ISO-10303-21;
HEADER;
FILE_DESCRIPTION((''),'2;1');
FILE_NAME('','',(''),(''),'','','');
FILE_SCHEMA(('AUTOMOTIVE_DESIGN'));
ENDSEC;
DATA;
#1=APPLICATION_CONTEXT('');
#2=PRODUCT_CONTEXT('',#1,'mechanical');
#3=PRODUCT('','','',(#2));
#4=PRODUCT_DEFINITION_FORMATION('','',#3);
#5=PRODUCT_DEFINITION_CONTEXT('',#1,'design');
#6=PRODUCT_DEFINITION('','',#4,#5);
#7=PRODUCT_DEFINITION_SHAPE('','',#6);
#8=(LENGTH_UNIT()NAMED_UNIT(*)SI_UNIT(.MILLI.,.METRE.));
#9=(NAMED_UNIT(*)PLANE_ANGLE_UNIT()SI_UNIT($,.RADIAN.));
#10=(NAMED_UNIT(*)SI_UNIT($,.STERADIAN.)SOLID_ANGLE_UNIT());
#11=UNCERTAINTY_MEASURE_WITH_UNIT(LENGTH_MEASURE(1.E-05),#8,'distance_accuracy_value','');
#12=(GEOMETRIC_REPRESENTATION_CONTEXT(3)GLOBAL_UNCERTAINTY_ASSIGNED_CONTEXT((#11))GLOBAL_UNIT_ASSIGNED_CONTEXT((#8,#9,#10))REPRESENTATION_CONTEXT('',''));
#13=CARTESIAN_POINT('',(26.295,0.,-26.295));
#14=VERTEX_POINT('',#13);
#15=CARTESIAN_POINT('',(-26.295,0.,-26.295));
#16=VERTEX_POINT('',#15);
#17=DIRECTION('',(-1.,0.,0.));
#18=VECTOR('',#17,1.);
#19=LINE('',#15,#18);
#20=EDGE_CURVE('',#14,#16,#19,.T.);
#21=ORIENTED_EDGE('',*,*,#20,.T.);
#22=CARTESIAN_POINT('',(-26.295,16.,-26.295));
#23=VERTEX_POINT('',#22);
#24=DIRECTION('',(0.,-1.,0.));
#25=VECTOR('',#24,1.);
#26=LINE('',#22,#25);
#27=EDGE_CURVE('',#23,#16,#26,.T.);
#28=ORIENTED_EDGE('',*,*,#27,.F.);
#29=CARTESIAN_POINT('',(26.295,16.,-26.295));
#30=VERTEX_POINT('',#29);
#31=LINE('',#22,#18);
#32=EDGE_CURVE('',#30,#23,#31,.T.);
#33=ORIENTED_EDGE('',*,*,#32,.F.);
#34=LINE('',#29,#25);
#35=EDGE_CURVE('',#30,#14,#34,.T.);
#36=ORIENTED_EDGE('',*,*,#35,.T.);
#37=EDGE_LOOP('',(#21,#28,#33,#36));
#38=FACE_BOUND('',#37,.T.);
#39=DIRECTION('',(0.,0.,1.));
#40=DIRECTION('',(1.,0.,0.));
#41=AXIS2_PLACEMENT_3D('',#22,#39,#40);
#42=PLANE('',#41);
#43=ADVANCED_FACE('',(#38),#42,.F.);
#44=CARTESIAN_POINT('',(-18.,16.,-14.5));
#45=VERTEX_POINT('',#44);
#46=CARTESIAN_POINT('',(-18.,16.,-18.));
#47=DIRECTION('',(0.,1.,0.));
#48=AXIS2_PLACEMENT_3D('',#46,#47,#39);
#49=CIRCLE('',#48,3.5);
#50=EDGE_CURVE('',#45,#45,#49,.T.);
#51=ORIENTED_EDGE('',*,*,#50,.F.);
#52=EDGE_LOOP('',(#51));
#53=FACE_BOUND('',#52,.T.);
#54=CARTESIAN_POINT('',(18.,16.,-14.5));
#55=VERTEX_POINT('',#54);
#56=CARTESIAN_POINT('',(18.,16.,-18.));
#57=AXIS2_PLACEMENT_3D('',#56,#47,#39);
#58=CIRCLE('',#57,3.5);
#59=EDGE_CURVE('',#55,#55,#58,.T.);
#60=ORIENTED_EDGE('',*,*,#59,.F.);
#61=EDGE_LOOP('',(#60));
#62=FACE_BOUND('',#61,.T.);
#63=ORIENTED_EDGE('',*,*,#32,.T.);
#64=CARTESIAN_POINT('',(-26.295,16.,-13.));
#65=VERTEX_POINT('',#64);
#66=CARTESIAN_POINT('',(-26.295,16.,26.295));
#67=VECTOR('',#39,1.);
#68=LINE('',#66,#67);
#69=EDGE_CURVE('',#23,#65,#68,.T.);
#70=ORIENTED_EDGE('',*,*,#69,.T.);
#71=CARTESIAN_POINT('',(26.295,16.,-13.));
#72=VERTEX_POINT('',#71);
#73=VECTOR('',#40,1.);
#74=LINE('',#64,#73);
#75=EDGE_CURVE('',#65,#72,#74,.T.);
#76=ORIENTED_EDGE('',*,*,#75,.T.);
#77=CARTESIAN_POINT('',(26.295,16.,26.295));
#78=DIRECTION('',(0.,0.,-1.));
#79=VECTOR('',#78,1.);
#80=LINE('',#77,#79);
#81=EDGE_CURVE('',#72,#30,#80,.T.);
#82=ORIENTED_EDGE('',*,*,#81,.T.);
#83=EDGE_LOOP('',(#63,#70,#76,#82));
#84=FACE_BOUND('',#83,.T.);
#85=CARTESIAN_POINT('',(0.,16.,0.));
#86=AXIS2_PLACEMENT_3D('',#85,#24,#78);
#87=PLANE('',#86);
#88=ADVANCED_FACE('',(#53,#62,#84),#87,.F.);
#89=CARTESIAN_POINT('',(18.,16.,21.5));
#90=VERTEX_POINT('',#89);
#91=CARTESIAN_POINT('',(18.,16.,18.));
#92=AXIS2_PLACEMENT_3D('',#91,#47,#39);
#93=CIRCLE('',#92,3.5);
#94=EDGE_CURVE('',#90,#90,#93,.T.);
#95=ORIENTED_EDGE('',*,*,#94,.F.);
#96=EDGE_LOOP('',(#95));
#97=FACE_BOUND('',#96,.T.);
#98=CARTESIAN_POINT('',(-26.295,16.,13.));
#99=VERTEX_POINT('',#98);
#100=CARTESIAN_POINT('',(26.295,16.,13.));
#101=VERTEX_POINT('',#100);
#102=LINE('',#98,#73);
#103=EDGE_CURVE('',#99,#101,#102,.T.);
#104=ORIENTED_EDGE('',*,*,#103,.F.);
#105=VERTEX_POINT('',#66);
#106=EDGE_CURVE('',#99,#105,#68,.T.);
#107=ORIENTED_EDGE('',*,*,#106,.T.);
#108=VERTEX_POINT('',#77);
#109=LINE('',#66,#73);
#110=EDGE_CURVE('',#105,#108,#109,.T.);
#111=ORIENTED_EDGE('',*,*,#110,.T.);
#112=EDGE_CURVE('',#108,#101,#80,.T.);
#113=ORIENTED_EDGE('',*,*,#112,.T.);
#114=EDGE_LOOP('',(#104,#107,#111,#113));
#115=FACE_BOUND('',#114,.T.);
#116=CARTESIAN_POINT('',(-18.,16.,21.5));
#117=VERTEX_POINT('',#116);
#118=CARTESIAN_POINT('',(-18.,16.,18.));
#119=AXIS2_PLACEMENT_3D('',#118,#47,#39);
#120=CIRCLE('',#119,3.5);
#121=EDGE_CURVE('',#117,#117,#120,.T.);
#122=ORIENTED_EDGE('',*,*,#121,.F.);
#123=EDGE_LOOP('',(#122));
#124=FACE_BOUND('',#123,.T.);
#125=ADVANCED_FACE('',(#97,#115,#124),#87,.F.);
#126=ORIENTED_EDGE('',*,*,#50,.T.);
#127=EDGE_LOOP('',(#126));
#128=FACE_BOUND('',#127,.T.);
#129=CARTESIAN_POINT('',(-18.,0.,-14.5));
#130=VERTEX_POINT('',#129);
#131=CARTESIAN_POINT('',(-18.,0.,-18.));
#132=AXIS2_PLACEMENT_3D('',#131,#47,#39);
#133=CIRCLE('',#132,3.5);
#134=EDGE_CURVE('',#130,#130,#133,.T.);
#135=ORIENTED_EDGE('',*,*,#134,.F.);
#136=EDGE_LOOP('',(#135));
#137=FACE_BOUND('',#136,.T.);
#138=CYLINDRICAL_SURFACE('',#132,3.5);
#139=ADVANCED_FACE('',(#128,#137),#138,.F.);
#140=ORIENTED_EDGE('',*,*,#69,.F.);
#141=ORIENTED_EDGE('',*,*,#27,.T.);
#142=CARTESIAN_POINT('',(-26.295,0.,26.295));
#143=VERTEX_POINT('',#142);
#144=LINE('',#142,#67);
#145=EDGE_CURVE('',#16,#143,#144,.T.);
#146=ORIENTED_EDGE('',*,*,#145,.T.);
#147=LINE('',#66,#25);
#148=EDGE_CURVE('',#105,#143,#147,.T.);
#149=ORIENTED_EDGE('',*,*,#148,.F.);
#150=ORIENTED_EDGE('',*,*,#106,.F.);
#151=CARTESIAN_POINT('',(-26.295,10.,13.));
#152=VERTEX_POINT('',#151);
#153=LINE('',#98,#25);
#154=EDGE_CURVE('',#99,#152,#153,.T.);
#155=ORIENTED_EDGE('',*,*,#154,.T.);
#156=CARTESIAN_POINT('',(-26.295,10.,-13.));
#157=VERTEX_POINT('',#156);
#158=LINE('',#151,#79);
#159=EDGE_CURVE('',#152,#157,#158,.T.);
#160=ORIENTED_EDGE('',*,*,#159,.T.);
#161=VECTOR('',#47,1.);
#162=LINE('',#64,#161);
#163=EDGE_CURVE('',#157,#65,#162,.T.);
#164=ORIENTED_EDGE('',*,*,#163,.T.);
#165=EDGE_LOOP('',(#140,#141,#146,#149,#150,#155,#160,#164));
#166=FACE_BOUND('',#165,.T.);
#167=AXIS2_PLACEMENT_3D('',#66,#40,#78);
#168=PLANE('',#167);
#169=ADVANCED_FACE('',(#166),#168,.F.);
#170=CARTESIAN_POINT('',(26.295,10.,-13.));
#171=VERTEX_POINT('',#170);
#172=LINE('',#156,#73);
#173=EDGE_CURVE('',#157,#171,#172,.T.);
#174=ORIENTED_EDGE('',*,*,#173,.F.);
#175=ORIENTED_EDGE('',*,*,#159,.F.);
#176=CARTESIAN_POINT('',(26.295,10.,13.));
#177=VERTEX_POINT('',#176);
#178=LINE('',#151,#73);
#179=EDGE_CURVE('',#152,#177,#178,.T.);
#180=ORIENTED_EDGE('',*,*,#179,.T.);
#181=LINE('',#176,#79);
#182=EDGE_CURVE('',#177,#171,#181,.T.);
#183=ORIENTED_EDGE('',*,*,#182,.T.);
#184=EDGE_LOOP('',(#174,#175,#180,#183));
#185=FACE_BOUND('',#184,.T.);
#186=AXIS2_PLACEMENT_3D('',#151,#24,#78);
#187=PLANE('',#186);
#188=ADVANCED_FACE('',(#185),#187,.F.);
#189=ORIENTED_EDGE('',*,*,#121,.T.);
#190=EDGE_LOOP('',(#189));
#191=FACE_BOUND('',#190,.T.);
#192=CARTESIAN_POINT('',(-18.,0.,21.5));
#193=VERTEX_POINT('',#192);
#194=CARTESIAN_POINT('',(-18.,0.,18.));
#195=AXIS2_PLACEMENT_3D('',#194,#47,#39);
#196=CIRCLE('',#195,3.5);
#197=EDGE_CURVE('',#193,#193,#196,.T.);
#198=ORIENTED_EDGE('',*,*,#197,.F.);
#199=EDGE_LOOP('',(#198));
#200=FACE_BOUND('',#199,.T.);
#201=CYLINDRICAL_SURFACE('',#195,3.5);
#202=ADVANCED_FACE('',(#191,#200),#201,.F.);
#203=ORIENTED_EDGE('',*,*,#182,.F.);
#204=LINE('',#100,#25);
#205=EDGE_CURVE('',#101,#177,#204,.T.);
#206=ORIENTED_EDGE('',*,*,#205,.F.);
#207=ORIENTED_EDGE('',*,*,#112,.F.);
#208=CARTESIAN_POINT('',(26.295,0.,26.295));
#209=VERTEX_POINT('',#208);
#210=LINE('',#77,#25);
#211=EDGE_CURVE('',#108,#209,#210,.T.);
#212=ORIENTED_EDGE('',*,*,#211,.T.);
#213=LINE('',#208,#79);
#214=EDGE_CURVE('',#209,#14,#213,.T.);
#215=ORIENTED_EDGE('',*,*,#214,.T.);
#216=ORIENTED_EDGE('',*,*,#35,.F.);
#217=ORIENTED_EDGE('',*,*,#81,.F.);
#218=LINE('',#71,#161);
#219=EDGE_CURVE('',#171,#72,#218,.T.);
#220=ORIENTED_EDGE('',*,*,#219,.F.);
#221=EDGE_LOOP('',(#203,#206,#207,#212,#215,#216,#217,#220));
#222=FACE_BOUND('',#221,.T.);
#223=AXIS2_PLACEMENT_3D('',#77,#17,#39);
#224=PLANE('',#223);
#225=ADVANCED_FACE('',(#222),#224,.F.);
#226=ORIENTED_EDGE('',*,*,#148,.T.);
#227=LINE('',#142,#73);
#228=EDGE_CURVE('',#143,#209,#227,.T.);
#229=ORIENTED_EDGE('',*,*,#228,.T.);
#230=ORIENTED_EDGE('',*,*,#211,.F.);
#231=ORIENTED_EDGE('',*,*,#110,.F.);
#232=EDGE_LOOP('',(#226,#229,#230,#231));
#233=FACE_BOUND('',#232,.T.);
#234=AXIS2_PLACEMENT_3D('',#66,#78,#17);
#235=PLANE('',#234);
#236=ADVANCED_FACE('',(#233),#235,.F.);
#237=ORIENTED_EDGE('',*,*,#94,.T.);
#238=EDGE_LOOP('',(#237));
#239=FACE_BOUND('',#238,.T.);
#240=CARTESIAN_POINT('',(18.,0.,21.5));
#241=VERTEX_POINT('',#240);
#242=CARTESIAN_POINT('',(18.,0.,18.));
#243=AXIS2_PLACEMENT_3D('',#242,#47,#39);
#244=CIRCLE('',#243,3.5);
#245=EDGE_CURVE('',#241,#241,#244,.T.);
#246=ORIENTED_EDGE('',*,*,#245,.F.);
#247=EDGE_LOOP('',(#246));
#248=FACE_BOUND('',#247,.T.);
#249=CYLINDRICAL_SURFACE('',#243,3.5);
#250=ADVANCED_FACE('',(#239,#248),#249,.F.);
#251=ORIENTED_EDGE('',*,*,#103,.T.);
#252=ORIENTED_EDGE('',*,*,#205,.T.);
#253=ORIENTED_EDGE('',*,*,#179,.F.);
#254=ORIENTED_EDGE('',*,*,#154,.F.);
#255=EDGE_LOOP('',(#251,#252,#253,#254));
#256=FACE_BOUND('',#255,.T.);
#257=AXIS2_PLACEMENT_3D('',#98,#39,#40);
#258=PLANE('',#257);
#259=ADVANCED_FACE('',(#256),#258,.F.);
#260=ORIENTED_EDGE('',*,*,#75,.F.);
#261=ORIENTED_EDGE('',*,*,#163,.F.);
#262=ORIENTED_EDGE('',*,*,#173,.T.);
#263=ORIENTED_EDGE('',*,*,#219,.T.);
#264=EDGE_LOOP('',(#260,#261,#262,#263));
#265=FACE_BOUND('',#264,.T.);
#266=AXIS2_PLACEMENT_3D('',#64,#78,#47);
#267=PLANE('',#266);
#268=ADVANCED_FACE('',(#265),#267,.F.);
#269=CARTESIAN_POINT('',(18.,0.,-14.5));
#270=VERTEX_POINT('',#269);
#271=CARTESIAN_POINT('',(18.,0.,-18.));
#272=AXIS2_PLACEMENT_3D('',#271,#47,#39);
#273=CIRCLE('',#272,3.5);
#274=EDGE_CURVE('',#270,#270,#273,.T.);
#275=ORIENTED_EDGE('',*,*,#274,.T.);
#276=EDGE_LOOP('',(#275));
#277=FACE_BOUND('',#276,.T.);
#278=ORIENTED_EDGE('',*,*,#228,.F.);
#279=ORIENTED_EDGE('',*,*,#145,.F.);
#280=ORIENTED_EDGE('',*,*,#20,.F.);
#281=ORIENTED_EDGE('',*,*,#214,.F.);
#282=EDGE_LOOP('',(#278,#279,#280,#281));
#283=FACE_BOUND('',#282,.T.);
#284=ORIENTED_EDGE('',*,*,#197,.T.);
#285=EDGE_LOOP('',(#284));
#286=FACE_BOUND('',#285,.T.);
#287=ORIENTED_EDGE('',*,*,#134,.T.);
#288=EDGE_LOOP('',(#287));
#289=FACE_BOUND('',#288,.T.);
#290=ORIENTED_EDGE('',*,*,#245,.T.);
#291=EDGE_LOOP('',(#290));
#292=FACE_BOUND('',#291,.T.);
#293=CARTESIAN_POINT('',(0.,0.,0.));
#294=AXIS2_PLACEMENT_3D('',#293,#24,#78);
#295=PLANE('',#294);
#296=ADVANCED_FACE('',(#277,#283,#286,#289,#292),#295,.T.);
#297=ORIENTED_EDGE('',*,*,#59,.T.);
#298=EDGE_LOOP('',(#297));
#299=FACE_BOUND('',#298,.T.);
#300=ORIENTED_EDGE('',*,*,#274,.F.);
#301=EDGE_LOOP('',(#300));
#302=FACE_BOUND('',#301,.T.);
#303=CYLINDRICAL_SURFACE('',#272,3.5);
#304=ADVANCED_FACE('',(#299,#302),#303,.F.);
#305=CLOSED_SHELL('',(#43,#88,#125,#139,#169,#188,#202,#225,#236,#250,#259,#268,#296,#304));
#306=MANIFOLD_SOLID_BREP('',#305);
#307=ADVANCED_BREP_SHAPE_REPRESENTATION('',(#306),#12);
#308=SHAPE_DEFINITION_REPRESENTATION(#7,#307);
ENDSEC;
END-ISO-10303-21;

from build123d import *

# Parameters (mm, degrees)
SKETCH1_W           = 52.59
SKETCH1_H           = 52.59
BOSS_EXTRUDE1_DEPTH = 16
SKETCH2_W           = 26
SKETCH2_H           = 6
CUT_EXTRUDE1_DEPTH  = 61.935499711
SKETCH3_R           = 3.5
CUT_EXTRUDE2_DEPTH  = 41.482762381


with BuildPart() as part:
    # Sketch1 → Boss-Extrude1 (new body)
    with BuildSketch(Plane(origin=(0, 0, 0), x_dir=(1, 0, 0), z_dir=(0, 1, 0))):
        Rectangle(SKETCH1_W, SKETCH1_H)
    extrude(amount=BOSS_EXTRUDE1_DEPTH)

    # Sketch2 → Cut-Extrude1 (cut, through all)
    with BuildSketch(Plane(origin=(26.295, 0, 0), x_dir=(0, 0, -1), z_dir=(1, 0, 0))):
        with Locations((0, 13)):
            Rectangle(SKETCH2_W, SKETCH2_H)
    extrude(amount=-CUT_EXTRUDE1_DEPTH, mode=Mode.SUBTRACT)

    # Sketch3 → Cut-Extrude2 (cut, through all)
    with BuildSketch(Plane(origin=(0, 16, 0), x_dir=(1, 0, 0), z_dir=(0, 1, 0))):
        with Locations(Location((-18, 18, 0), (0, 0, 270))):
            Circle(SKETCH3_R)
        with Locations(Location((18, 18, 0), (0, 0, 270))):
            Circle(SKETCH3_R)
        with Locations(Location((18, -18, 0), (0, 0, 270))):
            Circle(SKETCH3_R)
        with Locations(Location((-18, -18, 0), (0, 0, 270))):
            Circle(SKETCH3_R)
    extrude(amount=-CUT_EXTRUDE2_DEPTH, mode=Mode.SUBTRACT)


solid = part.part
